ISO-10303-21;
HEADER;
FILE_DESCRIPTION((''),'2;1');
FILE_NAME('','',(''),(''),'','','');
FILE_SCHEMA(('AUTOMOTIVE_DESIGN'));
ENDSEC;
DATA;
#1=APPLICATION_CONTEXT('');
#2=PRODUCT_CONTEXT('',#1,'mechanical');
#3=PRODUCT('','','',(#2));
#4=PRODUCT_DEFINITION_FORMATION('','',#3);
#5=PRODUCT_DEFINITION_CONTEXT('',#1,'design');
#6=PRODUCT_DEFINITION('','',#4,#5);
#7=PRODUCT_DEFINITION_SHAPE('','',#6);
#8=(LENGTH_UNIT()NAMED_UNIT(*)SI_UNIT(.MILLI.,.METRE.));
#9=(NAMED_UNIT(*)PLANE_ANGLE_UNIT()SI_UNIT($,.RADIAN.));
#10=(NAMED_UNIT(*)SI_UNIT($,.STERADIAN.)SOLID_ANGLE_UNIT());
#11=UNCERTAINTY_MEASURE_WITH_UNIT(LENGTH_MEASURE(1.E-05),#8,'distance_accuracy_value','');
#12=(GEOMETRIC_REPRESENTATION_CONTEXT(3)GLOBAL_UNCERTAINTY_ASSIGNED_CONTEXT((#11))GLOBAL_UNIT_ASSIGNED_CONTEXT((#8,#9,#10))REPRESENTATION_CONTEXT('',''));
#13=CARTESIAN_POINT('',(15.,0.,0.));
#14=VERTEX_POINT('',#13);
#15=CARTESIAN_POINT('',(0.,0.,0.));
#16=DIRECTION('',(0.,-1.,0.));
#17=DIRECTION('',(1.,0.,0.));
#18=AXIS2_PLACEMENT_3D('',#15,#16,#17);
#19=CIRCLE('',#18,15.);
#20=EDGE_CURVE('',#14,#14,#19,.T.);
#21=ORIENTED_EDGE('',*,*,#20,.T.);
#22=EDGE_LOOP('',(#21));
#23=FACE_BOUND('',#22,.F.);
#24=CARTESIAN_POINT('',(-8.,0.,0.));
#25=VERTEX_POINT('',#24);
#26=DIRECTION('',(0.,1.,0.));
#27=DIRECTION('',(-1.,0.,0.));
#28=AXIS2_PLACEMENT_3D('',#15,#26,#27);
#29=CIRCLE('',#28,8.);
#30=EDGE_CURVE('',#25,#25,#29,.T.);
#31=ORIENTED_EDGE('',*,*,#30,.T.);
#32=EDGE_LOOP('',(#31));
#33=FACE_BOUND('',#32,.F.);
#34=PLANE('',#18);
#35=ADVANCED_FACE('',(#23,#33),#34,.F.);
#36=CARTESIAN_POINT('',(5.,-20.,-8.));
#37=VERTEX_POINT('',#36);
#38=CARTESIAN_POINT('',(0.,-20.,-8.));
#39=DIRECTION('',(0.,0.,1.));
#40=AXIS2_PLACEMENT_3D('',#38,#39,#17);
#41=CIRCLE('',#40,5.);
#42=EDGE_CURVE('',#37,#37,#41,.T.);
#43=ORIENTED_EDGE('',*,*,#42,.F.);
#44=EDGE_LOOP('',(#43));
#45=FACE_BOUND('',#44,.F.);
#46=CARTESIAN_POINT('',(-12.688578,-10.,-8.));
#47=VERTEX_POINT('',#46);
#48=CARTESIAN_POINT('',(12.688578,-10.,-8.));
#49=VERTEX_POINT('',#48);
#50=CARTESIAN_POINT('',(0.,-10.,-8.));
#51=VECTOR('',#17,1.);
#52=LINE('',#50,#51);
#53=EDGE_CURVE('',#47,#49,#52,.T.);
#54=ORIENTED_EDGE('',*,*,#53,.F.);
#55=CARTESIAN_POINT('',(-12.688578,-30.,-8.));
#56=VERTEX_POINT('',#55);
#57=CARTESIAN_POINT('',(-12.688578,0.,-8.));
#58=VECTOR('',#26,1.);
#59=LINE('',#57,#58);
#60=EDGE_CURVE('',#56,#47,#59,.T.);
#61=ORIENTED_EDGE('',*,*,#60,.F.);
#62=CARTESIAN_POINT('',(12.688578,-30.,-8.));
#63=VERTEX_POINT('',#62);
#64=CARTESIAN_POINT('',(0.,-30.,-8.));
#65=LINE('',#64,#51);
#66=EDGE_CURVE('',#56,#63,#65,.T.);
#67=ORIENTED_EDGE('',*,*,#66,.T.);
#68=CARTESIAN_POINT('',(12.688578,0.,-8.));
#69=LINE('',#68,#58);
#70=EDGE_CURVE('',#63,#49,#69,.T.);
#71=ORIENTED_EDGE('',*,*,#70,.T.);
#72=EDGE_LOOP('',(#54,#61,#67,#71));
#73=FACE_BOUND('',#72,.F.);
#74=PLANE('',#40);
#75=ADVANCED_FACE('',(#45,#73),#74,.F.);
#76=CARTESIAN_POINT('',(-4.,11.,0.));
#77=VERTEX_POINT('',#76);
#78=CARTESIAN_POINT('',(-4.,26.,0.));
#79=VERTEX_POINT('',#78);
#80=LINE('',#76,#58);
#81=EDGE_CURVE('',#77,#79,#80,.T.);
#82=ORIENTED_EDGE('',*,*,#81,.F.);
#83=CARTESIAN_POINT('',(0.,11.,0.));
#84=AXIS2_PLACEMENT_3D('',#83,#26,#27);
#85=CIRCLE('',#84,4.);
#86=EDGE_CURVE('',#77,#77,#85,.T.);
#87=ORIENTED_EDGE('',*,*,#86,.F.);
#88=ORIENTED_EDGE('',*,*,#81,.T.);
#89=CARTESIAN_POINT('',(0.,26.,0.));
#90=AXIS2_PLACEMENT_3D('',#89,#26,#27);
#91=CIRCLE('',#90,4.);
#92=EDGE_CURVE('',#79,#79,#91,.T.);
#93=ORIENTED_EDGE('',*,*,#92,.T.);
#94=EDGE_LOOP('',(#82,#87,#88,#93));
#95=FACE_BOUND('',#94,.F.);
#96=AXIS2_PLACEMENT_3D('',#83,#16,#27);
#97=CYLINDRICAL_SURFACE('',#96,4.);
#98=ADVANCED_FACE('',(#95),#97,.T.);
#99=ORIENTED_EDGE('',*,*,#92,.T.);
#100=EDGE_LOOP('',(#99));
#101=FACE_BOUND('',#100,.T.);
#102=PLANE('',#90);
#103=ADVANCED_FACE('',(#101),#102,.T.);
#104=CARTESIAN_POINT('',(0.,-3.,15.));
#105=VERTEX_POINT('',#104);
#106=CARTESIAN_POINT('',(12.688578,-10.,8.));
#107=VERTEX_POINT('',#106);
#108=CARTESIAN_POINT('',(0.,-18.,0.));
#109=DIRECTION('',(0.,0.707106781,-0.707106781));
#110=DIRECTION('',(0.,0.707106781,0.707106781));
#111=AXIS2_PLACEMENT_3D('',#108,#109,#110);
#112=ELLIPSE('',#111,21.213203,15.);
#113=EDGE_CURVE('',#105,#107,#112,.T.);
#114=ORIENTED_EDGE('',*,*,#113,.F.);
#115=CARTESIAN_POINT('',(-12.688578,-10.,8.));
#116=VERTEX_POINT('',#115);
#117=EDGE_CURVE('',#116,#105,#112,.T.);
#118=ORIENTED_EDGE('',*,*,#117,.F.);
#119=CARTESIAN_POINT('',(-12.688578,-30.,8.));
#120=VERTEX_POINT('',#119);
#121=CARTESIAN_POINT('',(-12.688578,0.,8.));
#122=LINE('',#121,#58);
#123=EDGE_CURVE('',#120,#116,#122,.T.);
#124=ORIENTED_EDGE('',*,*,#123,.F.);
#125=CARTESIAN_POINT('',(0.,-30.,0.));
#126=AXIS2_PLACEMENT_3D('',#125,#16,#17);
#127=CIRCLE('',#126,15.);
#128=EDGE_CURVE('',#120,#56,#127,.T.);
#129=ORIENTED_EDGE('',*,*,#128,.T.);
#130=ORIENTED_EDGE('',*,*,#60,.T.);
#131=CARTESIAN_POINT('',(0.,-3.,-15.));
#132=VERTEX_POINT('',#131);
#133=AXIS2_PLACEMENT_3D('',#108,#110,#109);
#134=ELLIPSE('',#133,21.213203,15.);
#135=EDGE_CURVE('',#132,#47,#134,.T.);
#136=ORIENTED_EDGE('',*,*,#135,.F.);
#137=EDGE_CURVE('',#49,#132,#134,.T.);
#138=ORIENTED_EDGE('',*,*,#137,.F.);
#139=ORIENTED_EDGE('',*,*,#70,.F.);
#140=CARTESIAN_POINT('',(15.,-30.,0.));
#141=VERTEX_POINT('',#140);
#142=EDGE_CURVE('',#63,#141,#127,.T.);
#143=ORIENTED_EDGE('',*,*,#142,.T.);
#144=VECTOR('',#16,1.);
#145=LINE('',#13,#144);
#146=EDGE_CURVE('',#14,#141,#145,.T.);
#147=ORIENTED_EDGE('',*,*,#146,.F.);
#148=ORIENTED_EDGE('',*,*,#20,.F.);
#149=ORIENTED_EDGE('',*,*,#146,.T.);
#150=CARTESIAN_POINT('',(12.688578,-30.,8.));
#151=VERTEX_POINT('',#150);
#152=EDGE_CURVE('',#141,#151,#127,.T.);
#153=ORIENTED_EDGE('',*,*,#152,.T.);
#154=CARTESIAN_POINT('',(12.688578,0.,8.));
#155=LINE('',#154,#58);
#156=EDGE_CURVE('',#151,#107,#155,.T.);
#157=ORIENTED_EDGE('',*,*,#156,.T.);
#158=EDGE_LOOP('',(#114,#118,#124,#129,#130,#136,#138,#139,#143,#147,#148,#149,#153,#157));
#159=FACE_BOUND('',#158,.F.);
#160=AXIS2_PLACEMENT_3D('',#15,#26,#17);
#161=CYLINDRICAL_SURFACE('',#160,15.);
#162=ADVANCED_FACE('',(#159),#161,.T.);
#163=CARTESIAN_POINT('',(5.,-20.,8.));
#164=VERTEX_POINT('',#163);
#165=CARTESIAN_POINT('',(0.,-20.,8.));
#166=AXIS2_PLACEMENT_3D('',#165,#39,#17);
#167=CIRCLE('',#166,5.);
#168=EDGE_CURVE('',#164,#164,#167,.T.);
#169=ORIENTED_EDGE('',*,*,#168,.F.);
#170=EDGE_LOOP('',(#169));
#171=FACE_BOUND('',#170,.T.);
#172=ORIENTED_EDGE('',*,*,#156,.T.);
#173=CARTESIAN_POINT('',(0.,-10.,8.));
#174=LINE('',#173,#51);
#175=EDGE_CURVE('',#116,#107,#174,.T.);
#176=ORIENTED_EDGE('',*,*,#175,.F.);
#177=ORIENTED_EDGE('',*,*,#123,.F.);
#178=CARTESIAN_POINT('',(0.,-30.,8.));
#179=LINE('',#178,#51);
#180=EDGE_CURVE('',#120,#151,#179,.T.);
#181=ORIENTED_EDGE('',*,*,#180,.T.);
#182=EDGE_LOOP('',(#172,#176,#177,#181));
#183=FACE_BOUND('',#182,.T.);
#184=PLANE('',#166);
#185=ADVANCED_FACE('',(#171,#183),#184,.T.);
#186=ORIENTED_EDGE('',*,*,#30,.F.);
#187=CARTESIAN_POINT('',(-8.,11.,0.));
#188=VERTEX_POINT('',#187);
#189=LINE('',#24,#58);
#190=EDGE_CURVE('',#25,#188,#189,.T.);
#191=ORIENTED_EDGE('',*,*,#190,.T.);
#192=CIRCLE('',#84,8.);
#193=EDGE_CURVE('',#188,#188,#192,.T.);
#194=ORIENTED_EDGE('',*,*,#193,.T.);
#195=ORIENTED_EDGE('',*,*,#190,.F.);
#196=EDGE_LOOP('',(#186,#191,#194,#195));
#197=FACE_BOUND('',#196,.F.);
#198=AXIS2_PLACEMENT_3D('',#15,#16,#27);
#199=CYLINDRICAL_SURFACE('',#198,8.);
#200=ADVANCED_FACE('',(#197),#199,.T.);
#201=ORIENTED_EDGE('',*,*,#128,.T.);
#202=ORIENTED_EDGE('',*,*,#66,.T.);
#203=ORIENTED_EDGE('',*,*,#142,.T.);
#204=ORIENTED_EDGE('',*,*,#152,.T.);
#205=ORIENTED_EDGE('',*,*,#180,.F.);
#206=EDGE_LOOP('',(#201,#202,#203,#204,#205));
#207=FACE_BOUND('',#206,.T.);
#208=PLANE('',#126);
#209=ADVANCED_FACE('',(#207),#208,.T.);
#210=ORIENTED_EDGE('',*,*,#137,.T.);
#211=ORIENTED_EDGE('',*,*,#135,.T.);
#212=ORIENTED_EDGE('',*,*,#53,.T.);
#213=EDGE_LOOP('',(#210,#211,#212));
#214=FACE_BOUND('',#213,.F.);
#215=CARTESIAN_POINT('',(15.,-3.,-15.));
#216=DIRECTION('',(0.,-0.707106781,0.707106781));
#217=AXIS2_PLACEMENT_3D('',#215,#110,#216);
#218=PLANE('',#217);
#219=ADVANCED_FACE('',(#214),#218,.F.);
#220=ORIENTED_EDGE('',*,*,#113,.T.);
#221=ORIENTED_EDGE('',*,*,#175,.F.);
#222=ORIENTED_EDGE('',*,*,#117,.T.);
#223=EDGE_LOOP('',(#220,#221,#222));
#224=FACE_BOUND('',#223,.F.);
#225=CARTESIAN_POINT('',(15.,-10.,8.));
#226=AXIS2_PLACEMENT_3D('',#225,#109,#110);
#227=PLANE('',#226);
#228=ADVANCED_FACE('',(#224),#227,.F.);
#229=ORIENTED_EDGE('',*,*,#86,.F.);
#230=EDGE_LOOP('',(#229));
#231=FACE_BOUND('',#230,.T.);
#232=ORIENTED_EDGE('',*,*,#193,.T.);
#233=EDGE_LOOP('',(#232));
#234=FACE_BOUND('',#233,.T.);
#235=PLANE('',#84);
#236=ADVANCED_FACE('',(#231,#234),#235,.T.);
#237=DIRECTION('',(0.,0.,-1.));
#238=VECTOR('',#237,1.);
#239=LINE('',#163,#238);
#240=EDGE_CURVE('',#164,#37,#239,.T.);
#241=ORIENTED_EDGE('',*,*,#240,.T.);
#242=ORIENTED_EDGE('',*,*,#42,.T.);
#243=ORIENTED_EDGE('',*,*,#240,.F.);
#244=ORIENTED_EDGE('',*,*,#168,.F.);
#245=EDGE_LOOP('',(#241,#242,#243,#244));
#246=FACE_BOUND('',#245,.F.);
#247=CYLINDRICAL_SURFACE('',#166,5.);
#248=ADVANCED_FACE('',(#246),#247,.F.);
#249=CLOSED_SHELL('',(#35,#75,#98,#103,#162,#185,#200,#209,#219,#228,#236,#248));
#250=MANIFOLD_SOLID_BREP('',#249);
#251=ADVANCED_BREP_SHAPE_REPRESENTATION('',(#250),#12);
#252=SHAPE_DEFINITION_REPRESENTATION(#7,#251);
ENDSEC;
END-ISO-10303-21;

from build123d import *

# Parameters (mm, degrees)
F0_R      = 15
F1_DEPTH  = 30
F3_W      = 30
F3_H      = 20
F4_DEPTH  = 7
F6_W      = 30
F6_H      = 20
F7_DEPTH  = 7
F10_DEPTH = 30
F11_R     = 8
F12_DEPTH = 11
F13_R     = 4
F14_DEPTH = 15
F15_R     = 5
F16_DEPTH = 23.001


with BuildPart() as f1:
    # F0 (on Front) → F1 (new body)
    with BuildSketch(Plane.XZ):
        Circle(F0_R)
    extrude(amount=F1_DEPTH)

    # F3 (on offset) → F4 (cut)
    with BuildSketch(Plane.XY.offset(15)):
        with Locations((0, -20)):
            Rectangle(F3_W, F3_H)
    extrude(amount=-F4_DEPTH, mode=Mode.SUBTRACT)

    # F6 (on offset) → F7 (cut)
    with BuildSketch(Plane.XY.offset(-15)):
        with Locations((0, -20)):
            Rectangle(F6_W, F6_H)
    extrude(amount=F7_DEPTH, mode=Mode.SUBTRACT)

    # F9 (on offset) → F10 (cut)
    with BuildSketch(Plane.YZ.offset(15)):
        Polygon((-3, 15), (-10, 15), (-10, 8), align=None)
        Polygon((-10, -15), (-3, -15), (-10, -8), align=None)
    extrude(amount=-F10_DEPTH, mode=Mode.SUBTRACT)

    # F11 (on face) → F12 (join)
    with BuildSketch(Plane(origin=(0, 0, 0), x_dir=(-1, 0, 0), z_dir=(0, 1, 0))):
        Circle(F11_R)
    extrude(amount=F12_DEPTH)

    # F13 (on face) → F14 (join)
    with BuildSketch(Plane(origin=(0, 11, 0), x_dir=(-1, 0, 0), z_dir=(0, 1, 0))):
        Circle(F13_R)
    extrude(amount=F14_DEPTH)

    # F15 (on face) → F16 (cut, through all)
    with BuildSketch(Plane.XY.offset(8)):
        with Locations((0, -20)):
            Circle(F15_R)
    extrude(amount=-F16_DEPTH, mode=Mode.SUBTRACT)


solid = f1.part
